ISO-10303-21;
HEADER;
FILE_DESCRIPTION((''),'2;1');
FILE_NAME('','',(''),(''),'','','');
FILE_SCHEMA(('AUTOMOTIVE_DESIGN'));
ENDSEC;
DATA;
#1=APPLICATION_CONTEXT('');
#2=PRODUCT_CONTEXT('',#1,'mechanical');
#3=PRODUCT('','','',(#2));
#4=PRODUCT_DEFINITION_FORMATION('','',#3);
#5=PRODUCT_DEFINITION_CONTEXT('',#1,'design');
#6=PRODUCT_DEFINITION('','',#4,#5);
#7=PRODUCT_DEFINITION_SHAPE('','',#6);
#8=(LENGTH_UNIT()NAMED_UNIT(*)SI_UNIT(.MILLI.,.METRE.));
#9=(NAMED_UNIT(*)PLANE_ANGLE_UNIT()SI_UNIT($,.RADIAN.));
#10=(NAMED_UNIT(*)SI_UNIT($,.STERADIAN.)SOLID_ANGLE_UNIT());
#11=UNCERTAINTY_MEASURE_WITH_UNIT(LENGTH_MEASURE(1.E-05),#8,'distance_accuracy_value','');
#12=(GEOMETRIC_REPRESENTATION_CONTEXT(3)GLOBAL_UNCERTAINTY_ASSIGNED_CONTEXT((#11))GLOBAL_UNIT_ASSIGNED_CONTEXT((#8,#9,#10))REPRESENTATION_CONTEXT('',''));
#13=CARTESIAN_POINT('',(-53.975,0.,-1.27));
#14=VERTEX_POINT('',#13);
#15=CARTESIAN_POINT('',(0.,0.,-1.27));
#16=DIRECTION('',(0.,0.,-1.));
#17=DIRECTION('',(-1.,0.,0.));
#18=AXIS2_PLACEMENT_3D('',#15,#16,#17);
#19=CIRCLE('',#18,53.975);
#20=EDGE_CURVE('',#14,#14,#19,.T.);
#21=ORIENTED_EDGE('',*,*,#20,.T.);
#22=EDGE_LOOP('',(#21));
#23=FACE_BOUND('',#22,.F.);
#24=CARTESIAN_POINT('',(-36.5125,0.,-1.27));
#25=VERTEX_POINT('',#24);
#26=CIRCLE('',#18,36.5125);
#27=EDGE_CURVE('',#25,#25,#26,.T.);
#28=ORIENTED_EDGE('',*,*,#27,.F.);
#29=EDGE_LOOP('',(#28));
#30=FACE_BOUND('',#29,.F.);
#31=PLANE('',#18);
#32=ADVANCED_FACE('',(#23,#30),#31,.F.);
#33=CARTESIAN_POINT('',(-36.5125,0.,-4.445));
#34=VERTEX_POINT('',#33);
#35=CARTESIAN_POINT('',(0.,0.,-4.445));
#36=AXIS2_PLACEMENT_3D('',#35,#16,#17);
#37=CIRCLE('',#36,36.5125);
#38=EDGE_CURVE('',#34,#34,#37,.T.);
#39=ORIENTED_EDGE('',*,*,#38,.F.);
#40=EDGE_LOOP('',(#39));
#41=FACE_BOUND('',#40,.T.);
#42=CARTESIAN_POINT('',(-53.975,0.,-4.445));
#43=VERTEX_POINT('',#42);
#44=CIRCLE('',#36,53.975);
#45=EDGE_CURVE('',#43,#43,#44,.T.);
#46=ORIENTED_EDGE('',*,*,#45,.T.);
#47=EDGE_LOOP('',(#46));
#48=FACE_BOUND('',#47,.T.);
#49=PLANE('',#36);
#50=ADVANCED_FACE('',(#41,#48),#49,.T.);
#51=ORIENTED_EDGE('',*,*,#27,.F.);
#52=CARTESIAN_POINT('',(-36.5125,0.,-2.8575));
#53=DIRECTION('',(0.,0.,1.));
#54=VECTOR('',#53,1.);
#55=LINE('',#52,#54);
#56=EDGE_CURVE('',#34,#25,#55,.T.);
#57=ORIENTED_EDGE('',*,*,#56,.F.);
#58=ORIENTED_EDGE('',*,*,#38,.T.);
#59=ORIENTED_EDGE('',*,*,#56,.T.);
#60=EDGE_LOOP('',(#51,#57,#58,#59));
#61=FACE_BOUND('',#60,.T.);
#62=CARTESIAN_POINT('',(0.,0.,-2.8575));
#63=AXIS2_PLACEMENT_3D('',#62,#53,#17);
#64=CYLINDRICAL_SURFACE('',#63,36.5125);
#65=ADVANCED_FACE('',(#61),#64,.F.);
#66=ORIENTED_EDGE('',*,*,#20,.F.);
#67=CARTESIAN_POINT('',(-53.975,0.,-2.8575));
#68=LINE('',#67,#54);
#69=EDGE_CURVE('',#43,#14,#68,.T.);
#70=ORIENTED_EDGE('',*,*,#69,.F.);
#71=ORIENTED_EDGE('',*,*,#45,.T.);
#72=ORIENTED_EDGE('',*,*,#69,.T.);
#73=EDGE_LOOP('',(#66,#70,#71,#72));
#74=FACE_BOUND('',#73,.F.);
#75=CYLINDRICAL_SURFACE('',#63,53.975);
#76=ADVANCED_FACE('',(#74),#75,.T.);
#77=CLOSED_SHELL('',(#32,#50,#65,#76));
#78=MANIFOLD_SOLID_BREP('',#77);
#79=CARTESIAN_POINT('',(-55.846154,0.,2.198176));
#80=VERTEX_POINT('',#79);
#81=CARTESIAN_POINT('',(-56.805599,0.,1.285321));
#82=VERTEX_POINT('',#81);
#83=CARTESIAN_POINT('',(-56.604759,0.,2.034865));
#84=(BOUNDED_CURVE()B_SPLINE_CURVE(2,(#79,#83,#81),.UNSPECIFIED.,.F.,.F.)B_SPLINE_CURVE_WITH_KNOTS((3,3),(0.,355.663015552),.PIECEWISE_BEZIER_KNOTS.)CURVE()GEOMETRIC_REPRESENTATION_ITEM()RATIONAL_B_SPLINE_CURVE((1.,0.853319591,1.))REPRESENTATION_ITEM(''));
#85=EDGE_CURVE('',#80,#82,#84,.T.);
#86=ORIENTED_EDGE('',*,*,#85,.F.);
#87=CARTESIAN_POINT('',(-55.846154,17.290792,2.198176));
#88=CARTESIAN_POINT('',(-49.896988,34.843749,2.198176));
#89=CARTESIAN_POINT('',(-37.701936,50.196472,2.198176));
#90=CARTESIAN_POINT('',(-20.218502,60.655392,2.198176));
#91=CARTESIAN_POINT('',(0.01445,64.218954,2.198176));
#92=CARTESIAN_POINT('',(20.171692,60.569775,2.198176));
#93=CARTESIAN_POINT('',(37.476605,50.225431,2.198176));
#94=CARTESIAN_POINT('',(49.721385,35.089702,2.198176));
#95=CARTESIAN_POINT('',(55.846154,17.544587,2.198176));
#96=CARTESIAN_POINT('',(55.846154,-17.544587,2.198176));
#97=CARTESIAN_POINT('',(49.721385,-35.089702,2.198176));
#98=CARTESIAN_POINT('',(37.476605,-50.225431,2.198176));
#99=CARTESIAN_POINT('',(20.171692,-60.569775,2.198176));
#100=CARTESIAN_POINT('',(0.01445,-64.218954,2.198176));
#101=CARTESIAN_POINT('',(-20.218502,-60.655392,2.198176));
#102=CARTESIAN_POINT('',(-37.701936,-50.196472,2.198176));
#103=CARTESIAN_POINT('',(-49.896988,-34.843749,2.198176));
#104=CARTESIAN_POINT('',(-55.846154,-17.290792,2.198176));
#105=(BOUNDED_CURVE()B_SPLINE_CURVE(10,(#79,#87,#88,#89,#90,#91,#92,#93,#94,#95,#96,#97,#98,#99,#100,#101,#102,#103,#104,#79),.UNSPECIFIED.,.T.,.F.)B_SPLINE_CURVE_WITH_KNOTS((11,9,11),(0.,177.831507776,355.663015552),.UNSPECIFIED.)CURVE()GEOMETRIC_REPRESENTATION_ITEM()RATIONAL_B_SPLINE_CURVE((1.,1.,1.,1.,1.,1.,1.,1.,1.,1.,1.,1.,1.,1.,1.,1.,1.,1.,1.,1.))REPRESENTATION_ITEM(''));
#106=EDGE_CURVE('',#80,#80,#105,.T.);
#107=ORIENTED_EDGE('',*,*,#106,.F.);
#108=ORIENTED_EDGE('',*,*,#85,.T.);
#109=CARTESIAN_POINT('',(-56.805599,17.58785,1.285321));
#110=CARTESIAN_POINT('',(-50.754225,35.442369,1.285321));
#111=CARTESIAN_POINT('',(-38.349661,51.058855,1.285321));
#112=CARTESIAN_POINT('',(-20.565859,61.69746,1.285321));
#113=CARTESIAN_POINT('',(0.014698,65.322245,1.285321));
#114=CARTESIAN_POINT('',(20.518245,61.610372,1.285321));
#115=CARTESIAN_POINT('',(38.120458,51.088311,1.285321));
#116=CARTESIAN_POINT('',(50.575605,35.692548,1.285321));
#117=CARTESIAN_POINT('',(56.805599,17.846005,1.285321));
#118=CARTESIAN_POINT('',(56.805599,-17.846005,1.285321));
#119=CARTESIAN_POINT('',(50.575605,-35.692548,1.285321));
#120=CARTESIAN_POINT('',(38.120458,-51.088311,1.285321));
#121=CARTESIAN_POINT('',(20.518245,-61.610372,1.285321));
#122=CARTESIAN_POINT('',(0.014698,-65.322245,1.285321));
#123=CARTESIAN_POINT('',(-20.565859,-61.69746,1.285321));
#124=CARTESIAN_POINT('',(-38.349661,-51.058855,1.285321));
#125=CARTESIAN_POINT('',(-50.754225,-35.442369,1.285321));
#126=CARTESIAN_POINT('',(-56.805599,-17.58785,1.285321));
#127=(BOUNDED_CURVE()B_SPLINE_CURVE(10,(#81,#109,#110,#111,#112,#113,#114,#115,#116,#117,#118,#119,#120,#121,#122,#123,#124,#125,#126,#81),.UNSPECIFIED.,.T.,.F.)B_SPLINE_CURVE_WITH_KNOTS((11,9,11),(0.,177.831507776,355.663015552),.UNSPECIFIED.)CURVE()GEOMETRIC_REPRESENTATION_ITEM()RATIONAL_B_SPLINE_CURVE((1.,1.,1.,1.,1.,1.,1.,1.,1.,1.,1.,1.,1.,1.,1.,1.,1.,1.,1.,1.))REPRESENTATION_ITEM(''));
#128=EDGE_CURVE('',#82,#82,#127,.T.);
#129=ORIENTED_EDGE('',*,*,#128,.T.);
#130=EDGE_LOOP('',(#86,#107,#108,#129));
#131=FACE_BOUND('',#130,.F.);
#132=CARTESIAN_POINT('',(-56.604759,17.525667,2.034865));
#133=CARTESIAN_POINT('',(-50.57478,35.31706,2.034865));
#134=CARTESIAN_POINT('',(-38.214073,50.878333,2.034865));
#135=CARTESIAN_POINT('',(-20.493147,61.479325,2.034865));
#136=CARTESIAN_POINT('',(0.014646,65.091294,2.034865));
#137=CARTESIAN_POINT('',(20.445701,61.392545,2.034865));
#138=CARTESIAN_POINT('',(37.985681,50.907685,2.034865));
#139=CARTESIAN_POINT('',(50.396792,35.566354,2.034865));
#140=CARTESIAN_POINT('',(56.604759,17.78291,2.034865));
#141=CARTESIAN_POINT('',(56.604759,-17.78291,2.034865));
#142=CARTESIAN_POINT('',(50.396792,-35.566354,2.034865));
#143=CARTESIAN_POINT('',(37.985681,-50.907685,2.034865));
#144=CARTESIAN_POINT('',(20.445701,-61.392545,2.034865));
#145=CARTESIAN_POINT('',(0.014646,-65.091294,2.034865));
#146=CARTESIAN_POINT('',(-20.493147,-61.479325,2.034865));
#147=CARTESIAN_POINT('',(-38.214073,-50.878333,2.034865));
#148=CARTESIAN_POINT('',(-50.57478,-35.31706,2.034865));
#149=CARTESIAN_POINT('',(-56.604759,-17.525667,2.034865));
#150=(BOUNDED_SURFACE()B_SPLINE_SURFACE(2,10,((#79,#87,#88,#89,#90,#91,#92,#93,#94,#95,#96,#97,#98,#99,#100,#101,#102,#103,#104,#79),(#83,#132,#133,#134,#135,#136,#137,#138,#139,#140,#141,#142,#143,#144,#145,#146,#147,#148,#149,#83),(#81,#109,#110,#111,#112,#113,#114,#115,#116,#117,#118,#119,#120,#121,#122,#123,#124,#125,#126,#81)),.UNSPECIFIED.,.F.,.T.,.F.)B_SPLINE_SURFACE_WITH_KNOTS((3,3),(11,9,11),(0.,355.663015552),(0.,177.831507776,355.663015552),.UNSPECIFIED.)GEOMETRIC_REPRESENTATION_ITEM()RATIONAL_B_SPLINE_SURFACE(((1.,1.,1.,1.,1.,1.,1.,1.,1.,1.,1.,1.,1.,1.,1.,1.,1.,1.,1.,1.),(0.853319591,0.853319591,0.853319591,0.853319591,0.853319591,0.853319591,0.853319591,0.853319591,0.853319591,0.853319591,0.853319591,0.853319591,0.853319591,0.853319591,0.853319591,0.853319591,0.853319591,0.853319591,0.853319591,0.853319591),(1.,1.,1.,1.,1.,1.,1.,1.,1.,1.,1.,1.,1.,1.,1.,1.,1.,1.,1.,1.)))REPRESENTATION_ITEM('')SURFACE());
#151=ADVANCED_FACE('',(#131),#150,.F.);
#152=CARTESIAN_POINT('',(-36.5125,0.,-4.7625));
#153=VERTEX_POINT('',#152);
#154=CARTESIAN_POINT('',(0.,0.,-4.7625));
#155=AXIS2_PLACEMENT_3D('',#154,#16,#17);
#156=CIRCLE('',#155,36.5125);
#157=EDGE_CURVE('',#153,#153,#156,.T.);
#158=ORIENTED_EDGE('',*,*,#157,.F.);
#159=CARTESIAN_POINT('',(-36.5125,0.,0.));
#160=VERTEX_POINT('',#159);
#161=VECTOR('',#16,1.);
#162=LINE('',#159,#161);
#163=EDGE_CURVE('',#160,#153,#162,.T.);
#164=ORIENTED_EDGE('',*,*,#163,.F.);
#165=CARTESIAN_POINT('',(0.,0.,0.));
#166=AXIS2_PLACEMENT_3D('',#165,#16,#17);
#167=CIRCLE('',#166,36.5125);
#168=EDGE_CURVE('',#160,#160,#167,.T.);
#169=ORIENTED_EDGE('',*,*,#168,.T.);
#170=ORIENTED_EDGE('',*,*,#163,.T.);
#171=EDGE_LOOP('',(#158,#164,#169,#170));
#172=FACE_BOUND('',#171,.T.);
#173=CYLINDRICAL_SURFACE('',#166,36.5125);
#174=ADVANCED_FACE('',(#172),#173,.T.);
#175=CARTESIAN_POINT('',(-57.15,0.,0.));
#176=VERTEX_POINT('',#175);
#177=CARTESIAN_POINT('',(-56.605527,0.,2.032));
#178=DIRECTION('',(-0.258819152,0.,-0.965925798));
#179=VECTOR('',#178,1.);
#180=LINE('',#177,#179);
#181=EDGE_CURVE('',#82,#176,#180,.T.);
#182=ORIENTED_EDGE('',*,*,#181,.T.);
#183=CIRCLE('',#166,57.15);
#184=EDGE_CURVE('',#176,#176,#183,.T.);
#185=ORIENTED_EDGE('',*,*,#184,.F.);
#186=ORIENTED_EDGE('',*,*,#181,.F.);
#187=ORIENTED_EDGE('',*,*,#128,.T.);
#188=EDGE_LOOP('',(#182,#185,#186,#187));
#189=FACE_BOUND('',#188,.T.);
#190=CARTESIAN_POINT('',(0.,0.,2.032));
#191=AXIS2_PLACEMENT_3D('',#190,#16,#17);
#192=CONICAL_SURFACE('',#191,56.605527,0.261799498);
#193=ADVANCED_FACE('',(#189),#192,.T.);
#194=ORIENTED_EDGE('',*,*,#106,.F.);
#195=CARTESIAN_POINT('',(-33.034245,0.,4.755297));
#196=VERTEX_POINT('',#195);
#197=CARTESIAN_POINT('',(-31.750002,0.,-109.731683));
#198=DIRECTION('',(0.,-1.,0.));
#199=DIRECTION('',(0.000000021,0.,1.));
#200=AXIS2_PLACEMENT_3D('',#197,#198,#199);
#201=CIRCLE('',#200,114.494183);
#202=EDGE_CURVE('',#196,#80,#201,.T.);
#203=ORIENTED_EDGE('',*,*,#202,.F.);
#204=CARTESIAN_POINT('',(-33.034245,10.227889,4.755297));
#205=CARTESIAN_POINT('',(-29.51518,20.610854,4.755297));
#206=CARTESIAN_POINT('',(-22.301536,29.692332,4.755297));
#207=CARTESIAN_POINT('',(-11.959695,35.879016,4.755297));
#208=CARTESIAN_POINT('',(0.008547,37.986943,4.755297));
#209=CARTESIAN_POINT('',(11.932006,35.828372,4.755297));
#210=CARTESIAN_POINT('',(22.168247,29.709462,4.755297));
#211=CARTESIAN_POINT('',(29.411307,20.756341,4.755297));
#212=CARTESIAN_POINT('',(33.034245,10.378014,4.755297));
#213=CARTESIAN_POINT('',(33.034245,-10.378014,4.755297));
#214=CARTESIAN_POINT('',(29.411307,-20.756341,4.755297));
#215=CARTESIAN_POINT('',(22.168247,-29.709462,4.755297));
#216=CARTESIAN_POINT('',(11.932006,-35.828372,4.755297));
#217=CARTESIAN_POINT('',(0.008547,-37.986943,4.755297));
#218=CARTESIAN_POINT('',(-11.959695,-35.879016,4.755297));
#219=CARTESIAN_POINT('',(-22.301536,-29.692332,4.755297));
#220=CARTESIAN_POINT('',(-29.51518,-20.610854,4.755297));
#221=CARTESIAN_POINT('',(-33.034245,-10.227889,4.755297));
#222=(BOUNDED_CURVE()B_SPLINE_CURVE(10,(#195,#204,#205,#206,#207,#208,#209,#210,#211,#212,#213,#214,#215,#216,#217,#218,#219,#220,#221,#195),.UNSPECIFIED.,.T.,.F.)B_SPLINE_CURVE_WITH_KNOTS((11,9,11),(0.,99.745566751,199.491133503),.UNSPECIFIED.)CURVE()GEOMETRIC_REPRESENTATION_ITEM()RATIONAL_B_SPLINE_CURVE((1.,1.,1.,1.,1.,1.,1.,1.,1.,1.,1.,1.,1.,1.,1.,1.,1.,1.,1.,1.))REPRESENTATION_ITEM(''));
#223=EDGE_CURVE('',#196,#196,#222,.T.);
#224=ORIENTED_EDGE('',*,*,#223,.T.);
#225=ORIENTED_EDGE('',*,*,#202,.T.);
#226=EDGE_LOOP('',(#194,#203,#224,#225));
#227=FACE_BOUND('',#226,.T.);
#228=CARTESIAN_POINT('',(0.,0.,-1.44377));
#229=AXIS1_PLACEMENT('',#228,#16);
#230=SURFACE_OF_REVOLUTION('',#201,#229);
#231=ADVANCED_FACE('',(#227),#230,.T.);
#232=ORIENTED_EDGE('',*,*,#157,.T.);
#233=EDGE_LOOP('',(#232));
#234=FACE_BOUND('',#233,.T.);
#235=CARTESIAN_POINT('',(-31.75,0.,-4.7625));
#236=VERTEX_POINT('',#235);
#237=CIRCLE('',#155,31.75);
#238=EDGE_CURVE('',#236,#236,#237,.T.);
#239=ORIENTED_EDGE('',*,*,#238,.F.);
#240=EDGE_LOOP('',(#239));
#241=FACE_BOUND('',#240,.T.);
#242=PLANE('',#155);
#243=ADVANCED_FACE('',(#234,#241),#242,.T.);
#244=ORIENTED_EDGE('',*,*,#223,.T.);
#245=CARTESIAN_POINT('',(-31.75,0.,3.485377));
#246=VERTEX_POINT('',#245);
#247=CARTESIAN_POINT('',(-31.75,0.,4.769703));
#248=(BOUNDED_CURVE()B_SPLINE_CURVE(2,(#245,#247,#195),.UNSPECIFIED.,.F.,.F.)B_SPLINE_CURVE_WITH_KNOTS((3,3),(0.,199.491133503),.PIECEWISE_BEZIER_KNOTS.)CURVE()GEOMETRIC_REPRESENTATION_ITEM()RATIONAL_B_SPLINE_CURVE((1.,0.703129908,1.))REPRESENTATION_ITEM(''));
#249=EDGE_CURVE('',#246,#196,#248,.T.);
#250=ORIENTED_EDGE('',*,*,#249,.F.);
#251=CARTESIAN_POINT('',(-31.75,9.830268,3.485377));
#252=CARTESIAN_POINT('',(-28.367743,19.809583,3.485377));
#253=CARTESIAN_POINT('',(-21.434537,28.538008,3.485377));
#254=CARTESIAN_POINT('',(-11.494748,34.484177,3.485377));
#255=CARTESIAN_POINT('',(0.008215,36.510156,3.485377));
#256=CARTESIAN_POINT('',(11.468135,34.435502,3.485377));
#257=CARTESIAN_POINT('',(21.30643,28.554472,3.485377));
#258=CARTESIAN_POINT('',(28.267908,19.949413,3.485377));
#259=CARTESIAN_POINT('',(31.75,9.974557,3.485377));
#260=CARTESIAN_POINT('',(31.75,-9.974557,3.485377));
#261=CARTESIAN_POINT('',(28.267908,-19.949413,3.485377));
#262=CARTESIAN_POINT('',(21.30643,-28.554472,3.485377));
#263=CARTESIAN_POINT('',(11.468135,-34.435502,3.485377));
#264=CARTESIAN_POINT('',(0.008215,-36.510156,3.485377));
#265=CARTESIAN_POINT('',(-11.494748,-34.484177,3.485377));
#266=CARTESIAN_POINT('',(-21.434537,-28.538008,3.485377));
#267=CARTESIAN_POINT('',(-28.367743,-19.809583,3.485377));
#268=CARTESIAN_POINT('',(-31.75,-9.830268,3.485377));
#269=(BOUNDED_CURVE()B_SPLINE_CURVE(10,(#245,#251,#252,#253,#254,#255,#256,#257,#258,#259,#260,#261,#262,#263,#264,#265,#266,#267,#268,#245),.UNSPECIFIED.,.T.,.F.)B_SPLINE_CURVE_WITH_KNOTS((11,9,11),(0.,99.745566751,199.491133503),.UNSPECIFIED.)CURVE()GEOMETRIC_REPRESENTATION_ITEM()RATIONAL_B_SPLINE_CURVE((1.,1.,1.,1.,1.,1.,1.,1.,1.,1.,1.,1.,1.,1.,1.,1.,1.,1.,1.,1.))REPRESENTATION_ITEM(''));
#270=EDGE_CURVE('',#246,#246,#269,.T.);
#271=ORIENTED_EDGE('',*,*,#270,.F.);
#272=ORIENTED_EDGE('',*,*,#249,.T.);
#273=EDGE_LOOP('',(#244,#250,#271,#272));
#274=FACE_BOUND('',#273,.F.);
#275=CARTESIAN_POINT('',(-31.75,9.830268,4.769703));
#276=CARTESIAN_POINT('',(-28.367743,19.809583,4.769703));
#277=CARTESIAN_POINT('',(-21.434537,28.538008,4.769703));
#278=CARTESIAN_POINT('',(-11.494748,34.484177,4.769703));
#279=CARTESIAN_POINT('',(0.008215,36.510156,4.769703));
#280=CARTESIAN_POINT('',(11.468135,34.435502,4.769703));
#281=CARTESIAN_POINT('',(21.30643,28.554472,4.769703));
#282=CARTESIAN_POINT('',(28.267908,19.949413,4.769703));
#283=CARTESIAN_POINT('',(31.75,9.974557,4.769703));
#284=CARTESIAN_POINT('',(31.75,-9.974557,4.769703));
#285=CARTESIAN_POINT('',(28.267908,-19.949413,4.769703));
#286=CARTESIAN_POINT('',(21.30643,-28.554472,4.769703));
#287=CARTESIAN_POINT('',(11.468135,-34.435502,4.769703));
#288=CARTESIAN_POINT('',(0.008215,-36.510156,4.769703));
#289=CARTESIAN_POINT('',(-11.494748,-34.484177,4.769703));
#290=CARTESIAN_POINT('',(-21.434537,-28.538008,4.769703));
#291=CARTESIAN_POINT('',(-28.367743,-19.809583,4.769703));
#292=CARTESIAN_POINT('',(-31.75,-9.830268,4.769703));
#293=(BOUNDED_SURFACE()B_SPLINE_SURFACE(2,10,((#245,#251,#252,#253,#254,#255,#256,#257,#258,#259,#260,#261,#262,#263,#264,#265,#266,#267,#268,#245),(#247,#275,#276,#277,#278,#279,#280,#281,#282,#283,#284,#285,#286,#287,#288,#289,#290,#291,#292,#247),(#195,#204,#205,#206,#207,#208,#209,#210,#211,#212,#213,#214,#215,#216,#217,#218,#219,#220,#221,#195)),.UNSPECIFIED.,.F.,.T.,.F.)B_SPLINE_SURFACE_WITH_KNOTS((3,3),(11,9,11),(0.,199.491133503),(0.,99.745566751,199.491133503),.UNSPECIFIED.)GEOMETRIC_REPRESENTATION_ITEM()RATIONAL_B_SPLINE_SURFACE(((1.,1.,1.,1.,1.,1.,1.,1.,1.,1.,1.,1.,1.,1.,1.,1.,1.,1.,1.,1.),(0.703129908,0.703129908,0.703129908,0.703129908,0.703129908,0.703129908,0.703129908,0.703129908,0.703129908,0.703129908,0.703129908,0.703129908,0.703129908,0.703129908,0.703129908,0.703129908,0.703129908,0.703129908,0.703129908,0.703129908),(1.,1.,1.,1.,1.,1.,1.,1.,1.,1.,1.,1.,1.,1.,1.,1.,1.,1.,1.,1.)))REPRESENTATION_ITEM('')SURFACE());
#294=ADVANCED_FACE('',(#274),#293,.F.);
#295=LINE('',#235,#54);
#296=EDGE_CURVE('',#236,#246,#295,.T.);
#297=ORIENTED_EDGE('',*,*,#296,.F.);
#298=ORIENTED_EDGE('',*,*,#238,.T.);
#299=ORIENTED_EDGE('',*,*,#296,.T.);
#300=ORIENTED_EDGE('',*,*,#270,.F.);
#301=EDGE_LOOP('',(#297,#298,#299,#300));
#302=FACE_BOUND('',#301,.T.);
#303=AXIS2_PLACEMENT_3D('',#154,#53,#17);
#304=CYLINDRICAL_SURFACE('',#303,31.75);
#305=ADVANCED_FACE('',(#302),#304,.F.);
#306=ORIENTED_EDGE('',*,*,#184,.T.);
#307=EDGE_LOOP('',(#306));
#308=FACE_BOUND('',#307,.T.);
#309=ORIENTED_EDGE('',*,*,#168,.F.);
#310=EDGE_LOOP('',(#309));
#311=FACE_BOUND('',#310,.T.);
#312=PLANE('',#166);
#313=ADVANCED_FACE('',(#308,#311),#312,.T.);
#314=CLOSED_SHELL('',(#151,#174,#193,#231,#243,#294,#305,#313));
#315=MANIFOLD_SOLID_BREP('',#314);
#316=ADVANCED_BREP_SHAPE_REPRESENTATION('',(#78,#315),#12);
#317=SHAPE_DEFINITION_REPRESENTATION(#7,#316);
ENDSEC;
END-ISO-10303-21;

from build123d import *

# Parameters (mm, degrees)
F2_R = 1.27
F0_W = 17.4625
F0_H = 3.175


with BuildPart() as f1:
    # F0 (on Front) → F1 (revolve)
    with BuildSketch(Plane.XZ):
        with BuildLine():
            Line((-31.75, -4.7625), (-31.75, 4.7625))
            ThreePointArc((-31.75, 4.7625), (-44.252528, 4.077828), (-56.605527, 2.032))
            Line((-56.605527, 2.032), (-57.15, 0))
            Line((-57.15, 0), (-36.5125, 0))
            Line((-36.5125, 0), (-36.5125, -1.27))
            Line((-36.5125, -1.27), (-36.5125, -4.445))
            Line((-36.5125, -4.445), (-36.5125, -4.7625))
            Line((-36.5125, -4.7625), (-31.75, -4.7625))
        make_face()
    revolve(axis=Axis((0, 0, -1.44377), (0, 0, -1)))

    # F2
    f2_edges = [f1.edges().sort_by_distance(p)[0] for p in [
        (56.605527, 0, 2.032),
        (31.75, 0, 4.7625),
    ]]
    fillet(f2_edges, radius=F2_R)


with BuildPart() as f3:
    # F0 (on Front) → F3 (revolve)
    with BuildSketch(Plane.XZ):
        with Locations((-45.24375, -2.8575)):
            Rectangle(F0_W, F0_H)
    revolve(axis=Axis((0, 0, -1.44377), (0, 0, -1)))


solid = Compound([f1.part, f3.part])
